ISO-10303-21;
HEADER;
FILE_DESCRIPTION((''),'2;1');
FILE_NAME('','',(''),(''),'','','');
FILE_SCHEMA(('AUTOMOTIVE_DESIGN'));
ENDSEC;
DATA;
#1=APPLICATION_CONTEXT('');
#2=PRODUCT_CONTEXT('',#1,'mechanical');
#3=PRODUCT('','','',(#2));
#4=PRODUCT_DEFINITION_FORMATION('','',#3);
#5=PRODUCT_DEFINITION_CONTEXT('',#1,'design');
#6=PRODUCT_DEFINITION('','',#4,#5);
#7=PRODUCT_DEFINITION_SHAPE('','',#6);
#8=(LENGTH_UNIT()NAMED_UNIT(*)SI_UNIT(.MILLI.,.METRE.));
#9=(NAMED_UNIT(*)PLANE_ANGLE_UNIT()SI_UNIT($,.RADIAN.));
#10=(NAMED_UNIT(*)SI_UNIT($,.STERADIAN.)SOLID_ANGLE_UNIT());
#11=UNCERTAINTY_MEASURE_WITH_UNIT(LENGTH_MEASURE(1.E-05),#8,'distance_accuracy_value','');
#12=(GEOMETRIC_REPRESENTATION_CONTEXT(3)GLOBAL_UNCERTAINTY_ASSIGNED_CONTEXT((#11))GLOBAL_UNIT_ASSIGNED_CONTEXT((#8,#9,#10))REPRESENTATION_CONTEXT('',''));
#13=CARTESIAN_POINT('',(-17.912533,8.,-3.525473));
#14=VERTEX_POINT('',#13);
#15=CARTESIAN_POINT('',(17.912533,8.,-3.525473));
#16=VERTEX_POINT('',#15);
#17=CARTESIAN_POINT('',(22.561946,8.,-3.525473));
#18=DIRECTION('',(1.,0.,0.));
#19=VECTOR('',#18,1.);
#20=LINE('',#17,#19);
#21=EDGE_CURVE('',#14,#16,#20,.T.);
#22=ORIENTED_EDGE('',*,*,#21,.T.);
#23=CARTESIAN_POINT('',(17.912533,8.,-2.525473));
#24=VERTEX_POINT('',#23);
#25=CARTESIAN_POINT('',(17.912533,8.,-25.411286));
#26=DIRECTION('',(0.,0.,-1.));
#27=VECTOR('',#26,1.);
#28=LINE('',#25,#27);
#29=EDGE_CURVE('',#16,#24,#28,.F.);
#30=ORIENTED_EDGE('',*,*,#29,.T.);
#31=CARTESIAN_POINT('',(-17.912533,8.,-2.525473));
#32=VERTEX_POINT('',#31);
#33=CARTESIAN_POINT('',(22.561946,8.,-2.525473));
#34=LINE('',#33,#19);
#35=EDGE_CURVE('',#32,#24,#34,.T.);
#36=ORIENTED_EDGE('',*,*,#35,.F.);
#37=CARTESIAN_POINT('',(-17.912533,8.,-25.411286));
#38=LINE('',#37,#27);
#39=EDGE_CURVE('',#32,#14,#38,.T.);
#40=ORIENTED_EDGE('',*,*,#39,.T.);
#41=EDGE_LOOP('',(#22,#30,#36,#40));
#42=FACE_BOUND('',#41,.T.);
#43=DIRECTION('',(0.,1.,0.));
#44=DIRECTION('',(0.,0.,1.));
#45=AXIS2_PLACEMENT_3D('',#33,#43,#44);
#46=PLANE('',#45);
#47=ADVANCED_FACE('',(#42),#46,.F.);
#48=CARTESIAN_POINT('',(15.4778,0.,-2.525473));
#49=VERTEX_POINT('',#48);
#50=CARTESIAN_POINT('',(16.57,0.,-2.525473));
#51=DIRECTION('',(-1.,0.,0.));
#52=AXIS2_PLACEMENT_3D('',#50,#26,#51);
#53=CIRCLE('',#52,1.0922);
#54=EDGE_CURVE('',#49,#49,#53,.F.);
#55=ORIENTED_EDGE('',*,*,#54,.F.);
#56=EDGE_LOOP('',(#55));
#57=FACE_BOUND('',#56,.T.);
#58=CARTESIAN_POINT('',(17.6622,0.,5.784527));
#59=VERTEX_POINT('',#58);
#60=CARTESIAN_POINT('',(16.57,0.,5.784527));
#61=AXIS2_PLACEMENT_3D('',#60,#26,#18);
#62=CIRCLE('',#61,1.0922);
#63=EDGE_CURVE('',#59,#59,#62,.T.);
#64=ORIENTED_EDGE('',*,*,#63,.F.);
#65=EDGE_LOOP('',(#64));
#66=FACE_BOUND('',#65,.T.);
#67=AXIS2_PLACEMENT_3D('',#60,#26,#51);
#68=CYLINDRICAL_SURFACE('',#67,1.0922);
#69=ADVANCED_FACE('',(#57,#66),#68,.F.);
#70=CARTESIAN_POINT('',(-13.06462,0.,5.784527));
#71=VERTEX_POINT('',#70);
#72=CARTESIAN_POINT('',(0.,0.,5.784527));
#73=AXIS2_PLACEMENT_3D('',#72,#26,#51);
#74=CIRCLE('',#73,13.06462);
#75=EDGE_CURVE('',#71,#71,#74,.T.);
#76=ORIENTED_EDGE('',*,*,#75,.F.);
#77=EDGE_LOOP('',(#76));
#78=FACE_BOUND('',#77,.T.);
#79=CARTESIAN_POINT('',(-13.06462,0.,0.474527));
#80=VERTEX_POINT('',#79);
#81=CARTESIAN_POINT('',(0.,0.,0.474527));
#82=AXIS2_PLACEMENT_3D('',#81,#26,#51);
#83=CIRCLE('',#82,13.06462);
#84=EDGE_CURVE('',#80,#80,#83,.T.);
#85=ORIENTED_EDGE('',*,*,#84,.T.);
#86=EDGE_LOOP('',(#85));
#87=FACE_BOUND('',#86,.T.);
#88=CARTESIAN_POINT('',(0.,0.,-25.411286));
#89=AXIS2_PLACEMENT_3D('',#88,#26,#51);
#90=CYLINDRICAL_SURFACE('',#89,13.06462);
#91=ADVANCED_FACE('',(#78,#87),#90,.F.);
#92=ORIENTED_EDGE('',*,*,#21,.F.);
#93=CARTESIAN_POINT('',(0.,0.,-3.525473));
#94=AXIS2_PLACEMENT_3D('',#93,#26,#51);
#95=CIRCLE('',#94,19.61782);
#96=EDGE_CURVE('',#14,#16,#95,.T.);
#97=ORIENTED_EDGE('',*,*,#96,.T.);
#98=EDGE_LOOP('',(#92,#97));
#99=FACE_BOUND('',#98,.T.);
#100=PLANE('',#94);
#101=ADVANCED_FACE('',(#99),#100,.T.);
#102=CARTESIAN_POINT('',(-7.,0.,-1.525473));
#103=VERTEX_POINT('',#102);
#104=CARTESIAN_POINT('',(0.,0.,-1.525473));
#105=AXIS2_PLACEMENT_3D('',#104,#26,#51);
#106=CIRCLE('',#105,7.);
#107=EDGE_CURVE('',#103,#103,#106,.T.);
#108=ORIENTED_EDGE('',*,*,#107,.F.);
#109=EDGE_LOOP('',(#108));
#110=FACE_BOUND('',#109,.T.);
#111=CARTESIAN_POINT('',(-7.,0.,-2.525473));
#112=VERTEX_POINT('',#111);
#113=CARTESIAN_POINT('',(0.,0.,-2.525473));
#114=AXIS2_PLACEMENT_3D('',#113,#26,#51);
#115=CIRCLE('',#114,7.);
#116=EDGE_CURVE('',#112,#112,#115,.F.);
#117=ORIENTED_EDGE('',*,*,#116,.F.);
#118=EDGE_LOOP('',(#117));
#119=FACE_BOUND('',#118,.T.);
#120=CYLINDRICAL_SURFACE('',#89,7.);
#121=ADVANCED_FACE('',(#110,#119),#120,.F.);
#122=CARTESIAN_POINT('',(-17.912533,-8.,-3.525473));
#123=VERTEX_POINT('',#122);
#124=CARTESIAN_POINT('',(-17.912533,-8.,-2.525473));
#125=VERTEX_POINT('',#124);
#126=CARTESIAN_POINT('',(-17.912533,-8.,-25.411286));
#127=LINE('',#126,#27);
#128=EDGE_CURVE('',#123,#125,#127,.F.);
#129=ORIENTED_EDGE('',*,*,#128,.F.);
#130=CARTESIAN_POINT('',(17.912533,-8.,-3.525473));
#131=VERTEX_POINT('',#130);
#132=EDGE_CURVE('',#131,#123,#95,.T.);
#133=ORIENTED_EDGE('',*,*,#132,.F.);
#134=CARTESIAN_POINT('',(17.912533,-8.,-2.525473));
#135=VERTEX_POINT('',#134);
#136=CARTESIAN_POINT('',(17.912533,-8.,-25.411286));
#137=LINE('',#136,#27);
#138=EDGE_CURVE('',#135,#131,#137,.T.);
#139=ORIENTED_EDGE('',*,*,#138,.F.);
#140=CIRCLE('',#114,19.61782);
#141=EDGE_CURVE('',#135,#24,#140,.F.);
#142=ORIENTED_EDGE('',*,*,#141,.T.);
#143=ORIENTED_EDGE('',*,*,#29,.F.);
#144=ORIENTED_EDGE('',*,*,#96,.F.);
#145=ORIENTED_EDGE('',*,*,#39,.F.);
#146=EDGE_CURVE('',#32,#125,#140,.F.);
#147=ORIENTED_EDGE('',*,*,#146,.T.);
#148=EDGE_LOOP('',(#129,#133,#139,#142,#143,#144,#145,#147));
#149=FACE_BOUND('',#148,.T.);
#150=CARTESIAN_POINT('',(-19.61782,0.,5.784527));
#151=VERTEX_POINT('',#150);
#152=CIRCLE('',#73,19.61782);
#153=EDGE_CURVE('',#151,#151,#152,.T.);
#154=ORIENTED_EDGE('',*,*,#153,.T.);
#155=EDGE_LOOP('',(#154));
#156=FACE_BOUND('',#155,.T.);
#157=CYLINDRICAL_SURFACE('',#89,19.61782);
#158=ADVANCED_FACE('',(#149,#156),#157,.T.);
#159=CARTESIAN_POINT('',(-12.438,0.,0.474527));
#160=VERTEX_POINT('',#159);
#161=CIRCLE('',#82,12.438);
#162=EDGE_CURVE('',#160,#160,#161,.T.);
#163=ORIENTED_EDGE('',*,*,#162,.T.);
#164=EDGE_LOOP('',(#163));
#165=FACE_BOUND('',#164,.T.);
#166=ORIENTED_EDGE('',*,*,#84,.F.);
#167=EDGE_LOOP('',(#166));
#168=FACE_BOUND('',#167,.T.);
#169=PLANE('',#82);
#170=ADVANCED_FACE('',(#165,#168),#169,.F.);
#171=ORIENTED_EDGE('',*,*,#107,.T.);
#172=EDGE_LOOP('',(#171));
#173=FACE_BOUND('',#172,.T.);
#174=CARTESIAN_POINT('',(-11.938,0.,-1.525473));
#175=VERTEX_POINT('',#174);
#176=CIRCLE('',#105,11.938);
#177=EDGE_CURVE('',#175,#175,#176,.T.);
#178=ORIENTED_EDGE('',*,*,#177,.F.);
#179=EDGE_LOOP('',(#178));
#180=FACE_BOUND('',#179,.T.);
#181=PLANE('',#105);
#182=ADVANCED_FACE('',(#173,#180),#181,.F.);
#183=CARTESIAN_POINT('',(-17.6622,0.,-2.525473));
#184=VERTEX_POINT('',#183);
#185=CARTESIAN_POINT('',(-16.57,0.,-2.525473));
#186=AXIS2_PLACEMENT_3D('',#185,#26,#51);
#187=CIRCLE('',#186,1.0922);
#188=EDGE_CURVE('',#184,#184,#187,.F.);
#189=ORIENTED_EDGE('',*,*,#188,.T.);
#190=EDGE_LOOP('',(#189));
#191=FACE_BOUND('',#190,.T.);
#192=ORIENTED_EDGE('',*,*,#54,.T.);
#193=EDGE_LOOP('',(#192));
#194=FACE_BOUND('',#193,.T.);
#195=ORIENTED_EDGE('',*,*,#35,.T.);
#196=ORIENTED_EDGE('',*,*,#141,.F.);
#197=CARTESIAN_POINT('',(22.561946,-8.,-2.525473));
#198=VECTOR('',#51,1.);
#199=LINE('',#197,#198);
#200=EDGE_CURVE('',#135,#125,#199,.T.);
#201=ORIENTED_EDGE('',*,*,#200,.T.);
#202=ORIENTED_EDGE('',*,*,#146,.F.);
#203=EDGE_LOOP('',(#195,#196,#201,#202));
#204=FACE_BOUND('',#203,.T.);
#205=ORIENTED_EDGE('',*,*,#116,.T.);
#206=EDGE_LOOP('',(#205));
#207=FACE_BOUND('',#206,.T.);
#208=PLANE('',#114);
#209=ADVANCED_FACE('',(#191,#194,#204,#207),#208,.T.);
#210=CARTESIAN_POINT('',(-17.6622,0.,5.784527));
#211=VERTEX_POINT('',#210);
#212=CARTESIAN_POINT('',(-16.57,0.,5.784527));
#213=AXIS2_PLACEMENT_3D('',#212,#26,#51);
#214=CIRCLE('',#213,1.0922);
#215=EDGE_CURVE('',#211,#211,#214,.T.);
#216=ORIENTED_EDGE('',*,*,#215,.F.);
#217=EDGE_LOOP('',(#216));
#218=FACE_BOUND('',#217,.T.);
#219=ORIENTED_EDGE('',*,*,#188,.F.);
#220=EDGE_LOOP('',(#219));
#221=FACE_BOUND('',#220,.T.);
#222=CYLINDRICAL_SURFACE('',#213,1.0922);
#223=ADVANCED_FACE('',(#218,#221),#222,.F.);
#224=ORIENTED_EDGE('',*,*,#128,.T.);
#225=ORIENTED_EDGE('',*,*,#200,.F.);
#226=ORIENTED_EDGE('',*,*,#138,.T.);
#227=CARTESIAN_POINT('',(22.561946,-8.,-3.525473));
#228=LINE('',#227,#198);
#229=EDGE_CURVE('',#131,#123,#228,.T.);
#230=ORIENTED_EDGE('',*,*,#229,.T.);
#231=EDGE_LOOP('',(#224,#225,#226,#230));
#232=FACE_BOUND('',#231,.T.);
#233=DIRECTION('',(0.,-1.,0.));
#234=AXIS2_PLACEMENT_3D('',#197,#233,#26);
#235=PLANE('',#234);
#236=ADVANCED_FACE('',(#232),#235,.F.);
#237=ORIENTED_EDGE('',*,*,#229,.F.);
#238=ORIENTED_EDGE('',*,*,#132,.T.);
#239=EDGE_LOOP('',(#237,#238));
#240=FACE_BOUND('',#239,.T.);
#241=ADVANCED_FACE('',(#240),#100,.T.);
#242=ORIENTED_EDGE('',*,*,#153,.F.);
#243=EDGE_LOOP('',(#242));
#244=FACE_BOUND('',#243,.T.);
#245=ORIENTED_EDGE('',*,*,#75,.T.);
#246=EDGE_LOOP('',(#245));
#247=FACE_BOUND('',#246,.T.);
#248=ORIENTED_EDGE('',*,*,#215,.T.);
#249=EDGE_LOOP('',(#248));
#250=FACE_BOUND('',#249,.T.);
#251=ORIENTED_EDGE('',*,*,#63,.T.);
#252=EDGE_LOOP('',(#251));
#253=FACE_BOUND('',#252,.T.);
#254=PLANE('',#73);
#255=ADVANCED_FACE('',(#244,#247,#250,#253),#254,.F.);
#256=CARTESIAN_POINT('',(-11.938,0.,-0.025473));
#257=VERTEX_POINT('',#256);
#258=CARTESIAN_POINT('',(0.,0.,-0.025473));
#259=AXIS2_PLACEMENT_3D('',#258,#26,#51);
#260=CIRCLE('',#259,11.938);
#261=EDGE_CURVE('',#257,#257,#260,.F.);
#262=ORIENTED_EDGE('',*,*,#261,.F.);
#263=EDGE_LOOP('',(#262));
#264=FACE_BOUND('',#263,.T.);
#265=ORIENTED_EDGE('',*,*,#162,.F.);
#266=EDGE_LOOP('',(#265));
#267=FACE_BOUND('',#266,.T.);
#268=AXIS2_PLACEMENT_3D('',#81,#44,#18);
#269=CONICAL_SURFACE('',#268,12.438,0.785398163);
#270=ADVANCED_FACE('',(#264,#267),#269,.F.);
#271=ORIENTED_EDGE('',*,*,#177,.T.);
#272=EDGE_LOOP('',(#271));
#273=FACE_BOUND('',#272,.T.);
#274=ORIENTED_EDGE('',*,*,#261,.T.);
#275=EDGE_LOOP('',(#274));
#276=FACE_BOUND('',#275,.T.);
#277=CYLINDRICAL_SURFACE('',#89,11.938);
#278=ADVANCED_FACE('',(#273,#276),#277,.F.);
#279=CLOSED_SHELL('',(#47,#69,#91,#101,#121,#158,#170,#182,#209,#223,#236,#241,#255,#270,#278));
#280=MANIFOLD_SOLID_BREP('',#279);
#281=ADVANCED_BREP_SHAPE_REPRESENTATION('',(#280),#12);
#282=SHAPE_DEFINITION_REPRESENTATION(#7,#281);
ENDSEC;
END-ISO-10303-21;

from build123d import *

# Parameters (mm, degrees)
SKETCH1_W          = 12.617819502
SKETCH1_H          = 2
SKETCH1_W_2        = 6.5532
SKETCH1_H_2        = 5.31
SKETCH2_R          = 1.0922
CUT_EXTRUDE1_DEPTH = 10.31
SKETCH3_W          = 45.123892984
SKETCH3_H          = 16
CUT_EXTRUDE2_DEPTH = 1
CHAMFER1_SIZE      = 0.5


with BuildPart() as part:
    # Sketch1 → Revolve1 (revolve)
    with BuildSketch(Plane(origin=(0, 0, 0), x_dir=(1, 0, 0), z_dir=(0, 1, 0))):
        with Locations((-13.308909751, 2.525473465)):
            Rectangle(SKETCH1_W, SKETCH1_H)
        Polygon((-11.938, 1.525473465), (-19.617819502, 1.525473465), (-19.617819502, -0.474526535), (-13.064619502, -0.474526535), (-11.938, -0.474526535), align=None)
        with Locations((-16.341219502, -3.129526535)):
            Rectangle(SKETCH1_W_2, SKETCH1_H_2)
    revolve(axis=Axis((0, 0, -25.411285606), (0, 0, 1)))

    # Sketch2 → Cut-Extrude1 (cut, through all)
    with BuildSketch(Plane(origin=(0, 0, -3.525473465), x_dir=(-1, 0, 0), z_dir=(0, 0, -1))):
        with Locations((16.57, 0)):
            Circle(SKETCH2_R)
        with Locations((-16.57, 0)):
            Circle(SKETCH2_R)
    extrude(amount=-CUT_EXTRUDE1_DEPTH, mode=Mode.SUBTRACT)

    # Sketch3 → Cut-Extrude2 (cut)
    with BuildSketch(Plane(origin=(0, 0, -3.525473465), x_dir=(-1, 0, 0), z_dir=(0, 0, -1))):
        Rectangle(SKETCH3_W, SKETCH3_H)
    extrude(amount=-CUT_EXTRUDE2_DEPTH, mode=Mode.SUBTRACT)

    # Chamfer1
    chamfer1_edges = [part.edges().sort_by_distance(p)[0] for p in [
        (11.938, 0, 0.474526535),
    ]]
    chamfer(chamfer1_edges, length=CHAMFER1_SIZE)


solid = part.part
